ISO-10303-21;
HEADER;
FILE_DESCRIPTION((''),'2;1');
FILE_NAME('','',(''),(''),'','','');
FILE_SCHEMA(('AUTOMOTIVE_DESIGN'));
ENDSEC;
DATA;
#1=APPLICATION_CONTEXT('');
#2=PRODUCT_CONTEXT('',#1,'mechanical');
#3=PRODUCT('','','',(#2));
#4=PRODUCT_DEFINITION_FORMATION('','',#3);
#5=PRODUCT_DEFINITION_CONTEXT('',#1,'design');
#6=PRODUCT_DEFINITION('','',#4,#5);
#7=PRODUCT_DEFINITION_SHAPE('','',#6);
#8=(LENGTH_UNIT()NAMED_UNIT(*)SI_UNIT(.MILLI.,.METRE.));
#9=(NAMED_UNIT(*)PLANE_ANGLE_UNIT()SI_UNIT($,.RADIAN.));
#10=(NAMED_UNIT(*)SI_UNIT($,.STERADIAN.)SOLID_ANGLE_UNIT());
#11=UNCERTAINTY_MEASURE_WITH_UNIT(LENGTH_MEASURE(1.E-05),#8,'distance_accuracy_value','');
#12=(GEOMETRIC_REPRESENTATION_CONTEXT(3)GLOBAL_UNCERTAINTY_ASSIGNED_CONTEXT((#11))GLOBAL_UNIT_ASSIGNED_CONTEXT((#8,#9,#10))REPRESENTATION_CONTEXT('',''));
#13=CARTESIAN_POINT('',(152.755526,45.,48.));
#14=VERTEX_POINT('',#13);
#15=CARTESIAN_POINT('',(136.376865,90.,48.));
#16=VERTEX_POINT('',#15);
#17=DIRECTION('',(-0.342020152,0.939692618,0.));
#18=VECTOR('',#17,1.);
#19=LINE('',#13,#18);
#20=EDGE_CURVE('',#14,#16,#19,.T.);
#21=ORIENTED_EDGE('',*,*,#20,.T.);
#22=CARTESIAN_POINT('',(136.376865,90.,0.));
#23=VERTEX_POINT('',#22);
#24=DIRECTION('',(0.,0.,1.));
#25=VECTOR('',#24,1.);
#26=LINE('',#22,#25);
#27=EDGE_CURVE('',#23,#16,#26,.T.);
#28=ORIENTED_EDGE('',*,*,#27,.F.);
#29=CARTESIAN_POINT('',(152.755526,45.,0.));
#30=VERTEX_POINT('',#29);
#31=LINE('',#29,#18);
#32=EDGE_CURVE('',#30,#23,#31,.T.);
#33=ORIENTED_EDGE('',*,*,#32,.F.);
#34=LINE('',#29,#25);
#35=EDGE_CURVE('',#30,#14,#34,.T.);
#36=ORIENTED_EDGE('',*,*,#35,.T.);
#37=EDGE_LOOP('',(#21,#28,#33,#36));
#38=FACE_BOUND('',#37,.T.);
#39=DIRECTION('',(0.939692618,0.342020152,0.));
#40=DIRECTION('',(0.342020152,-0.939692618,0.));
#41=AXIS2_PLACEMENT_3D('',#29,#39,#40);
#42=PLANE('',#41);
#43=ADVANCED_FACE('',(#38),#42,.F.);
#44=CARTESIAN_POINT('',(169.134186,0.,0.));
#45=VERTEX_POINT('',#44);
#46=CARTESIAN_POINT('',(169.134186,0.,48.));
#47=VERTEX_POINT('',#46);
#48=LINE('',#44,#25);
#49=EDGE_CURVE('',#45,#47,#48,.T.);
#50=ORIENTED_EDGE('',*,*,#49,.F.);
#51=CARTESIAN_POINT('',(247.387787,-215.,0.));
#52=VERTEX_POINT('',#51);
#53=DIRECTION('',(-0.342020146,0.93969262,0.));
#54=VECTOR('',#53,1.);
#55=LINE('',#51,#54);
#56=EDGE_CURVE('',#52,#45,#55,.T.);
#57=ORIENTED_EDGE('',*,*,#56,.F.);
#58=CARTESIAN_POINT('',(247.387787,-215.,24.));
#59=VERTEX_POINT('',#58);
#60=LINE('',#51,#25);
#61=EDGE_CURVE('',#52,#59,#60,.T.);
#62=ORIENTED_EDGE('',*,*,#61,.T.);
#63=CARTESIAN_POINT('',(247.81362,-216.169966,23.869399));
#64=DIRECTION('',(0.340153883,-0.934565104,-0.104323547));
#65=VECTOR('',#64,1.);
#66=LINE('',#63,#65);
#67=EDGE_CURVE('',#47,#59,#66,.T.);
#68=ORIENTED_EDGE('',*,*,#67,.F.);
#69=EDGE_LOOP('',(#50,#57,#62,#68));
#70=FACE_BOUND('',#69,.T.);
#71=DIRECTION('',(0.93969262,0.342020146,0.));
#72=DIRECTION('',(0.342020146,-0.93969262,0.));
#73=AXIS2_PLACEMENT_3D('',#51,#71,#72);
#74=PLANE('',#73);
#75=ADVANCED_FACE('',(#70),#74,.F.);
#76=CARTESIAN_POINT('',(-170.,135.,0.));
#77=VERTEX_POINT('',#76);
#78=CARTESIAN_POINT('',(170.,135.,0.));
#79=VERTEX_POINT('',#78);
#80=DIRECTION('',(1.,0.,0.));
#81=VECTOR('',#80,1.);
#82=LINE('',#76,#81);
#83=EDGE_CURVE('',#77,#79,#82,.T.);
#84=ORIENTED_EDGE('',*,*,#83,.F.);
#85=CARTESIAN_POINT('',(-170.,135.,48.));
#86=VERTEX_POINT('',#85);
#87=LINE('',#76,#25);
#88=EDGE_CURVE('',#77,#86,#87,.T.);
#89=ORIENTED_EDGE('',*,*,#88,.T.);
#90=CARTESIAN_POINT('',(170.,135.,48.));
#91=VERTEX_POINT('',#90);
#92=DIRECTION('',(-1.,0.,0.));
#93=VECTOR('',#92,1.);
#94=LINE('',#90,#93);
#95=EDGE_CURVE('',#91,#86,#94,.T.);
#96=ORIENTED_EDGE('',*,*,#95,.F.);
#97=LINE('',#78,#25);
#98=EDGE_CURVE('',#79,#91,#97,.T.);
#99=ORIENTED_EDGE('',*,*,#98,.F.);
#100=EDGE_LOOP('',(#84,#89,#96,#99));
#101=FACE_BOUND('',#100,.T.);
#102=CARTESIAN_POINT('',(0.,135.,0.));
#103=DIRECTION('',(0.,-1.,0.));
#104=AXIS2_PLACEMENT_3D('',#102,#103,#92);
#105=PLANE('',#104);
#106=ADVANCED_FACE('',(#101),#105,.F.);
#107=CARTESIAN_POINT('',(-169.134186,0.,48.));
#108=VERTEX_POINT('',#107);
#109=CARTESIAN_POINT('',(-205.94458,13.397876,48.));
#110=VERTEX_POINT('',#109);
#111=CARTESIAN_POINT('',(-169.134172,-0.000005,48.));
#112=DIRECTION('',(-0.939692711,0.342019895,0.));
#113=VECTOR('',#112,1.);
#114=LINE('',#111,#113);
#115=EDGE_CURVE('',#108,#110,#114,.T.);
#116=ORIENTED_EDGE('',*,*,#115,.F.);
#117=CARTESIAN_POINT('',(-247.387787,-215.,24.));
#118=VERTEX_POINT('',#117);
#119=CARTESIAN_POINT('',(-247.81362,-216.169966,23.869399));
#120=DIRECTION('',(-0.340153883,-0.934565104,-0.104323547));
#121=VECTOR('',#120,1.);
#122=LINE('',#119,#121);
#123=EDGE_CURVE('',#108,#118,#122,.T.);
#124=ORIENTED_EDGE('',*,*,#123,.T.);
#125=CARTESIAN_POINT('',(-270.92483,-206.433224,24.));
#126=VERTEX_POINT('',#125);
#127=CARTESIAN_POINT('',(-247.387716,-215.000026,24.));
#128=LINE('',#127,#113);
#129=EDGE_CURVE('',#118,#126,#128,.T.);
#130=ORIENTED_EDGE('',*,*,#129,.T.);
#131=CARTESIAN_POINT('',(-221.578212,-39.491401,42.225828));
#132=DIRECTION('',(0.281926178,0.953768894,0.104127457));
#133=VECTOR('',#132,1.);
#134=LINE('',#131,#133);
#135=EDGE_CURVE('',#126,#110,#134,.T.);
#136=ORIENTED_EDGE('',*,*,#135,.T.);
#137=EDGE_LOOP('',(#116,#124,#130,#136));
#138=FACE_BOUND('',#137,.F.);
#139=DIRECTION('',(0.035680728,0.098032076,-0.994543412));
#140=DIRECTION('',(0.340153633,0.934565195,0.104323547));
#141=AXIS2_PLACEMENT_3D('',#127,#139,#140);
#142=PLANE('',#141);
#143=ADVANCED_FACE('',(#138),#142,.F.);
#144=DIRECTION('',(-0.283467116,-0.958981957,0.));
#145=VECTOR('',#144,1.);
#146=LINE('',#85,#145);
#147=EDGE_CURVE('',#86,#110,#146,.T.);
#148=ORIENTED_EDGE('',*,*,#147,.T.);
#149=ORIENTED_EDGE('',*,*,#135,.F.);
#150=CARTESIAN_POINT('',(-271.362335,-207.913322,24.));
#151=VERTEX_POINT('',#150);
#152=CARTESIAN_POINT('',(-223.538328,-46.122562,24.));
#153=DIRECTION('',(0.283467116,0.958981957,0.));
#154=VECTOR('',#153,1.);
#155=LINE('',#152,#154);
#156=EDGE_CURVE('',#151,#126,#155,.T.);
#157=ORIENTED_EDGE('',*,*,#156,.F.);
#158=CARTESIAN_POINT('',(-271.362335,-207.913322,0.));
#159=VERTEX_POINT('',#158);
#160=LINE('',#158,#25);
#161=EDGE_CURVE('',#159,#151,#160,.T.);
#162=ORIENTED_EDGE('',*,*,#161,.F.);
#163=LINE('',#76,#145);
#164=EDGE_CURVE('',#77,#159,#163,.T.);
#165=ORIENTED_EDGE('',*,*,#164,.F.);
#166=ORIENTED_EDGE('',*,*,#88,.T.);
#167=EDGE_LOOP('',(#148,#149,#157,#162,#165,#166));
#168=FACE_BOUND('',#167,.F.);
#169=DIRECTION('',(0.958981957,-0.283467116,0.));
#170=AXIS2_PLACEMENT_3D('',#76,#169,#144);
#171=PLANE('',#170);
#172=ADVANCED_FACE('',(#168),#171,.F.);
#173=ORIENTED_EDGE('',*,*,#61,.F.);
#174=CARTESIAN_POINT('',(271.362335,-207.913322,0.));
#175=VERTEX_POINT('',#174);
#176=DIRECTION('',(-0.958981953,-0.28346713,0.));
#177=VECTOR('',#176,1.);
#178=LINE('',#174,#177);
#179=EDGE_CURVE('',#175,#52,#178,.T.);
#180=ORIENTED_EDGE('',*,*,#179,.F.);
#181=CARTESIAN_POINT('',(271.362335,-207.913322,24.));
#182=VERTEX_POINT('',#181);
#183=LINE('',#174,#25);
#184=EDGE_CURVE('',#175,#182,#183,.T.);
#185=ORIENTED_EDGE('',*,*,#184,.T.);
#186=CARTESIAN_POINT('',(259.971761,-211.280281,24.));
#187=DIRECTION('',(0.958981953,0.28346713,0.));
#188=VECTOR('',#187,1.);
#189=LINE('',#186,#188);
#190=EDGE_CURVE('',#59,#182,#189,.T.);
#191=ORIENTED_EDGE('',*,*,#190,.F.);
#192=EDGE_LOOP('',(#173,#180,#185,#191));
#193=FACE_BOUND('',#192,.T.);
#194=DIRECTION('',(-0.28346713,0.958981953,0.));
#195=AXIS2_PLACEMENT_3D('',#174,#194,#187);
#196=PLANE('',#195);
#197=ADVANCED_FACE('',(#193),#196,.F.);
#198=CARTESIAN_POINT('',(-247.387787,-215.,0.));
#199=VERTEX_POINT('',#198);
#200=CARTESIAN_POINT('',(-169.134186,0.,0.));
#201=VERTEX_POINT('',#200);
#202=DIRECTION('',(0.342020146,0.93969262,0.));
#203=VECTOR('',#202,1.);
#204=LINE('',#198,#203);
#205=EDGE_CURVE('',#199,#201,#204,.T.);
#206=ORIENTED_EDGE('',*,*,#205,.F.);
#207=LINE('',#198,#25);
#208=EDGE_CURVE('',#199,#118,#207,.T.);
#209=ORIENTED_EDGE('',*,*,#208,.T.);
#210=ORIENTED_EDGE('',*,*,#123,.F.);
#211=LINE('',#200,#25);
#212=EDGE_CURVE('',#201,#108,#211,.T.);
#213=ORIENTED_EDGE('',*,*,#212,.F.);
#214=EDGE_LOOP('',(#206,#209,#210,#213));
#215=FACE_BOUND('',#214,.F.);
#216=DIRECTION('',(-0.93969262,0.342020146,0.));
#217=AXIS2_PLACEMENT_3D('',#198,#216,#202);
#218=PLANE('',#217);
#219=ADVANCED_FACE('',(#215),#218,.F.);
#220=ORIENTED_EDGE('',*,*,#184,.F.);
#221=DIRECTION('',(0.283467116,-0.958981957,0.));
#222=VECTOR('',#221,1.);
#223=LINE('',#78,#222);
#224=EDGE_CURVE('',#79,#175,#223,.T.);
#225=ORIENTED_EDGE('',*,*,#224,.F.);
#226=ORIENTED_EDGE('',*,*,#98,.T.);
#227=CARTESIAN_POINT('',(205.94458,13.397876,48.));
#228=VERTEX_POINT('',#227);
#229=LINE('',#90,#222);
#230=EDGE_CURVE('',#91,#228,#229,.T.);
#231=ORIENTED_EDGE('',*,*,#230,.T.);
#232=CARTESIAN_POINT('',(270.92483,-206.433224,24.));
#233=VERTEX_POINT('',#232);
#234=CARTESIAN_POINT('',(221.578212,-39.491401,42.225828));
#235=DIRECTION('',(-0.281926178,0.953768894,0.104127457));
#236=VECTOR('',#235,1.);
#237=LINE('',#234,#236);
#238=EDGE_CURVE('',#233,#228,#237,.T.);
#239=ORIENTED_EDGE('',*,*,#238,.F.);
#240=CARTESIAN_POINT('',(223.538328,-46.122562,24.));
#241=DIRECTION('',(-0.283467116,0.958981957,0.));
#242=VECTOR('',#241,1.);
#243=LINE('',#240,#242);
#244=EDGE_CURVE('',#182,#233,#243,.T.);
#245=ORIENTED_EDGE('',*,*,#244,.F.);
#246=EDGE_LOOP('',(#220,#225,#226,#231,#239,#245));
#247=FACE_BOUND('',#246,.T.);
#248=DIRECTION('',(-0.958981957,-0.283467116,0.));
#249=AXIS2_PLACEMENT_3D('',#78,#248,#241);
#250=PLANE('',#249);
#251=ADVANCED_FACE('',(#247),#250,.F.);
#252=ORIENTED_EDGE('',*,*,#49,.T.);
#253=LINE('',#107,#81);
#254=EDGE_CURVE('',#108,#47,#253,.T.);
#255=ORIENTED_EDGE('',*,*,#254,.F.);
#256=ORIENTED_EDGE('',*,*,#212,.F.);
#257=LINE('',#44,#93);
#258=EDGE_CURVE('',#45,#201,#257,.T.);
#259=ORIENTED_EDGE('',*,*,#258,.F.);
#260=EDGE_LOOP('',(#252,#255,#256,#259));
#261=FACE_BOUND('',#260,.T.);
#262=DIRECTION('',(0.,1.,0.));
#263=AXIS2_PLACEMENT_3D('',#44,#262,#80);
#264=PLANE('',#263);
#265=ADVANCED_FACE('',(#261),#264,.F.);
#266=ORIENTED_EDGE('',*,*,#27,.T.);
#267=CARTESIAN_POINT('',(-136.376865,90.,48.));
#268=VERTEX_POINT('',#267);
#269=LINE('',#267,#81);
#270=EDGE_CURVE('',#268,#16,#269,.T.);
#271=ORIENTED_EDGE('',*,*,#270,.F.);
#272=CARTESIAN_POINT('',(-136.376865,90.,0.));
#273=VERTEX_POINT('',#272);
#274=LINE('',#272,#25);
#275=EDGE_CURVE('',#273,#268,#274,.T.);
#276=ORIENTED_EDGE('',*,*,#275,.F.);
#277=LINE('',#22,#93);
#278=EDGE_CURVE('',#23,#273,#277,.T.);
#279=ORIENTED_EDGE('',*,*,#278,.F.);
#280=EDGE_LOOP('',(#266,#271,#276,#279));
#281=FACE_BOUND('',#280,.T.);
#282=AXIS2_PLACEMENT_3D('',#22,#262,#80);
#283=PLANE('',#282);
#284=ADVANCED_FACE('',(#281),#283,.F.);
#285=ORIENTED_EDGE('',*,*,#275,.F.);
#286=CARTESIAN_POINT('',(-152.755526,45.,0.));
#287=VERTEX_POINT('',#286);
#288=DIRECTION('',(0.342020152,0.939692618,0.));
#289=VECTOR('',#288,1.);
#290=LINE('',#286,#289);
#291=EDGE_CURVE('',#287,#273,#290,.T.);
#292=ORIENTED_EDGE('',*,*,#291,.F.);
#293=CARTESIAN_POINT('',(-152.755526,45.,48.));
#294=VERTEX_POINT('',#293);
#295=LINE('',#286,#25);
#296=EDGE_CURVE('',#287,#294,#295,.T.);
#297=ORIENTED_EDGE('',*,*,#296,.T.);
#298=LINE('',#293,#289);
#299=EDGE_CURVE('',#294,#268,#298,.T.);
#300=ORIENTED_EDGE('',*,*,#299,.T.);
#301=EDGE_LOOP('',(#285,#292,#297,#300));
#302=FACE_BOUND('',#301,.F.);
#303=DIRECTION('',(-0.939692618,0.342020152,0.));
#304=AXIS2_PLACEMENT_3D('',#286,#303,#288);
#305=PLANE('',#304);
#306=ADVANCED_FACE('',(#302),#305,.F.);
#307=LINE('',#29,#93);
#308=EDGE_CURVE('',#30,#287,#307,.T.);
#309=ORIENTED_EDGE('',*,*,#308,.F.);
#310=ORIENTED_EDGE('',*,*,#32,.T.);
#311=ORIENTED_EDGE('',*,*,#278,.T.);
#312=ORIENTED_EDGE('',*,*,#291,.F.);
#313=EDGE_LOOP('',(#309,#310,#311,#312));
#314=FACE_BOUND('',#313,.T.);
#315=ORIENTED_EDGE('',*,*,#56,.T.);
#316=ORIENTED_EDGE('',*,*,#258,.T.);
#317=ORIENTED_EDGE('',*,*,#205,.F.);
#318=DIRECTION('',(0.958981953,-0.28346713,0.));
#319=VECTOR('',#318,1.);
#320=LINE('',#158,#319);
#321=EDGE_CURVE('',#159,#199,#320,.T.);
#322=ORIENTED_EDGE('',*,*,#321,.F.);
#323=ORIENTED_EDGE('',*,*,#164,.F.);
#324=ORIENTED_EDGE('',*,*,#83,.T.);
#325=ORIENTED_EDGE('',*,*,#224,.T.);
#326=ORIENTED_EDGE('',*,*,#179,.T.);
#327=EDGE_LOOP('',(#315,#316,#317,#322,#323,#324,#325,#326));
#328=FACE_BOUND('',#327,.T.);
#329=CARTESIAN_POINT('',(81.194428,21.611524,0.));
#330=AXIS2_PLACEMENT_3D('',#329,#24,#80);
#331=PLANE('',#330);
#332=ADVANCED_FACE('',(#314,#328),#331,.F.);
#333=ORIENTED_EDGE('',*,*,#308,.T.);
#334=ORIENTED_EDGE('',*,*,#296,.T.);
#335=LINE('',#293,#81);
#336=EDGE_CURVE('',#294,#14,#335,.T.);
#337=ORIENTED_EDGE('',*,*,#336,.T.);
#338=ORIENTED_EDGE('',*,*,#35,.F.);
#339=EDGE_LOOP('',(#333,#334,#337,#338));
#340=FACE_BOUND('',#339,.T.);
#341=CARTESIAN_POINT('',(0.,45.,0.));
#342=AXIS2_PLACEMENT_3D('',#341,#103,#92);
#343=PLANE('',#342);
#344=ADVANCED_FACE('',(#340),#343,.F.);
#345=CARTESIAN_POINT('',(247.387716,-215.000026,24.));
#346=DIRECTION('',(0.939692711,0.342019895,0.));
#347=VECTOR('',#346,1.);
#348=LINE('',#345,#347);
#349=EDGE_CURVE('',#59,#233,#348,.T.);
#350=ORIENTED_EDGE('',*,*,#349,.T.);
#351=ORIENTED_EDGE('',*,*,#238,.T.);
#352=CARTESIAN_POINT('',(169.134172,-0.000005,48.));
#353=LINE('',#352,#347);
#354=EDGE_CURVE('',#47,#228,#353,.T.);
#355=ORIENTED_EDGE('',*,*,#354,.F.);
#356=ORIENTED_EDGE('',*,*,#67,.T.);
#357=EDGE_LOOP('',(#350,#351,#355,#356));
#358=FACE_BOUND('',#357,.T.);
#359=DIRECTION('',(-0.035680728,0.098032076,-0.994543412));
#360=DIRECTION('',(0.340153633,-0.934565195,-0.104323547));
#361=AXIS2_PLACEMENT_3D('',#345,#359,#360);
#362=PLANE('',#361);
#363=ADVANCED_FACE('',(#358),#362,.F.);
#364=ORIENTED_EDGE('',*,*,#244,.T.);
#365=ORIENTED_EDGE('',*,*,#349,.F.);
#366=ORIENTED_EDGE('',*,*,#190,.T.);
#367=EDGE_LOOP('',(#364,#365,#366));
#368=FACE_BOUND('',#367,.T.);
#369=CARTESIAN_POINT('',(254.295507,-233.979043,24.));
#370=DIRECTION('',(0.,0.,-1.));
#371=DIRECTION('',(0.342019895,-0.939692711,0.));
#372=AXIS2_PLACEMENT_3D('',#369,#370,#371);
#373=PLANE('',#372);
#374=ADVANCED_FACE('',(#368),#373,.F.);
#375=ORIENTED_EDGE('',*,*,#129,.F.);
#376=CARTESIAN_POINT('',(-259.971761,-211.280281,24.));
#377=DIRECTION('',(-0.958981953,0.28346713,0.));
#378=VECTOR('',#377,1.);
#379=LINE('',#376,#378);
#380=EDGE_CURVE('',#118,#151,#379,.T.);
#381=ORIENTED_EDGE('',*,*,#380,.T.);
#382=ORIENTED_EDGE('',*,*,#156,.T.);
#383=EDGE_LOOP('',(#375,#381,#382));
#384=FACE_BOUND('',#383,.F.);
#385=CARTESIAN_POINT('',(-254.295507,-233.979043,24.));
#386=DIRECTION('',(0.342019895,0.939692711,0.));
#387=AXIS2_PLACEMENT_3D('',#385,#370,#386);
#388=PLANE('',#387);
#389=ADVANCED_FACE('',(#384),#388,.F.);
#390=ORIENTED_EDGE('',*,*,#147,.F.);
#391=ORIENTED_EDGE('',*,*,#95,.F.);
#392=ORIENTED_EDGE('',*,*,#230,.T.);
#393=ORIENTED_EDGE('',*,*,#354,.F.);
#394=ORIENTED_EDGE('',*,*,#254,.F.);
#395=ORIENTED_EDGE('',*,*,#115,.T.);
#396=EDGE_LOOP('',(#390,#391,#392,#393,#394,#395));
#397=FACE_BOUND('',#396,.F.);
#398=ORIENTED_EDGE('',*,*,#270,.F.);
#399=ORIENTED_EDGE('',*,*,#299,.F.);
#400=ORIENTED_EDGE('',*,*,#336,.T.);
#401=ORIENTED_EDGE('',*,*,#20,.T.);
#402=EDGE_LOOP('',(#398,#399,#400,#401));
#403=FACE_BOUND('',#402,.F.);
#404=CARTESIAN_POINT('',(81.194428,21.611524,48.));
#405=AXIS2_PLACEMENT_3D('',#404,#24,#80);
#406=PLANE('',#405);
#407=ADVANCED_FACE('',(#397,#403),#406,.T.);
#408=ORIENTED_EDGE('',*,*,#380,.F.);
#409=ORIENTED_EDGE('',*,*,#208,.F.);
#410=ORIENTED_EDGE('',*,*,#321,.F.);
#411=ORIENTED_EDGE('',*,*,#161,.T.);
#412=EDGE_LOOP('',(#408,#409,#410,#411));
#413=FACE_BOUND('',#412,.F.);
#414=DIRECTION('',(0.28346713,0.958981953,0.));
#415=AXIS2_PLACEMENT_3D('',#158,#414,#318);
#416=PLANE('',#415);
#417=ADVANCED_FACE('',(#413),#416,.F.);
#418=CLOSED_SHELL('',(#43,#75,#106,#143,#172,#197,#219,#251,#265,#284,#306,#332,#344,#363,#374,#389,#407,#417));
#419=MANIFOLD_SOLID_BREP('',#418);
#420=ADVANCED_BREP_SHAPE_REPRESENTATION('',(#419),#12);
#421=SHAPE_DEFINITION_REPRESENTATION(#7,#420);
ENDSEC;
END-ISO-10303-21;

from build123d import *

# Parameters (mm, degrees)
F1_DEPTH = 48
F3_DEPTH = 142.236757


with BuildPart() as f1:
    # F0 (on Top) → F1 (new body)
    with BuildSketch(Plane.XY):
        Polygon((0, 45), (-152.755526, 45), (-169.134186, 0), (0, 0), align=None)
        Polygon((0, 90), (0, 135), (-170, 135), (-271.362335, -207.913322), (-247.387787, -215), (-169.134186, 0), (-152.755526, 45), (-136.376865, 90), align=None)
    extrude(amount=F1_DEPTH)

    # F2 (on face) → F3 (cut, through all)
    with BuildSketch(Plane(origin=(-149.349245, 54.35868, 0), x_dir=(0.34202, 0.939693, 0), z_dir=(0.939693, -0.34202, 0))):
        Polygon((-286.64552, 24), (-57.847299, 48), (-286.64552, 48), align=None)
        Polygon((-306.842566, 24), (-286.64552, 24), (-286.64552, 48), (-315.660655, 48), align=None)
    extrude(amount=-F3_DEPTH, mode=Mode.SUBTRACT)

    # F4: F1 across plane


with BuildPart() as f1_1:
    add(f1.part)
    add(f1.part.mirror(Plane.YZ))


solid = f1_1.part
